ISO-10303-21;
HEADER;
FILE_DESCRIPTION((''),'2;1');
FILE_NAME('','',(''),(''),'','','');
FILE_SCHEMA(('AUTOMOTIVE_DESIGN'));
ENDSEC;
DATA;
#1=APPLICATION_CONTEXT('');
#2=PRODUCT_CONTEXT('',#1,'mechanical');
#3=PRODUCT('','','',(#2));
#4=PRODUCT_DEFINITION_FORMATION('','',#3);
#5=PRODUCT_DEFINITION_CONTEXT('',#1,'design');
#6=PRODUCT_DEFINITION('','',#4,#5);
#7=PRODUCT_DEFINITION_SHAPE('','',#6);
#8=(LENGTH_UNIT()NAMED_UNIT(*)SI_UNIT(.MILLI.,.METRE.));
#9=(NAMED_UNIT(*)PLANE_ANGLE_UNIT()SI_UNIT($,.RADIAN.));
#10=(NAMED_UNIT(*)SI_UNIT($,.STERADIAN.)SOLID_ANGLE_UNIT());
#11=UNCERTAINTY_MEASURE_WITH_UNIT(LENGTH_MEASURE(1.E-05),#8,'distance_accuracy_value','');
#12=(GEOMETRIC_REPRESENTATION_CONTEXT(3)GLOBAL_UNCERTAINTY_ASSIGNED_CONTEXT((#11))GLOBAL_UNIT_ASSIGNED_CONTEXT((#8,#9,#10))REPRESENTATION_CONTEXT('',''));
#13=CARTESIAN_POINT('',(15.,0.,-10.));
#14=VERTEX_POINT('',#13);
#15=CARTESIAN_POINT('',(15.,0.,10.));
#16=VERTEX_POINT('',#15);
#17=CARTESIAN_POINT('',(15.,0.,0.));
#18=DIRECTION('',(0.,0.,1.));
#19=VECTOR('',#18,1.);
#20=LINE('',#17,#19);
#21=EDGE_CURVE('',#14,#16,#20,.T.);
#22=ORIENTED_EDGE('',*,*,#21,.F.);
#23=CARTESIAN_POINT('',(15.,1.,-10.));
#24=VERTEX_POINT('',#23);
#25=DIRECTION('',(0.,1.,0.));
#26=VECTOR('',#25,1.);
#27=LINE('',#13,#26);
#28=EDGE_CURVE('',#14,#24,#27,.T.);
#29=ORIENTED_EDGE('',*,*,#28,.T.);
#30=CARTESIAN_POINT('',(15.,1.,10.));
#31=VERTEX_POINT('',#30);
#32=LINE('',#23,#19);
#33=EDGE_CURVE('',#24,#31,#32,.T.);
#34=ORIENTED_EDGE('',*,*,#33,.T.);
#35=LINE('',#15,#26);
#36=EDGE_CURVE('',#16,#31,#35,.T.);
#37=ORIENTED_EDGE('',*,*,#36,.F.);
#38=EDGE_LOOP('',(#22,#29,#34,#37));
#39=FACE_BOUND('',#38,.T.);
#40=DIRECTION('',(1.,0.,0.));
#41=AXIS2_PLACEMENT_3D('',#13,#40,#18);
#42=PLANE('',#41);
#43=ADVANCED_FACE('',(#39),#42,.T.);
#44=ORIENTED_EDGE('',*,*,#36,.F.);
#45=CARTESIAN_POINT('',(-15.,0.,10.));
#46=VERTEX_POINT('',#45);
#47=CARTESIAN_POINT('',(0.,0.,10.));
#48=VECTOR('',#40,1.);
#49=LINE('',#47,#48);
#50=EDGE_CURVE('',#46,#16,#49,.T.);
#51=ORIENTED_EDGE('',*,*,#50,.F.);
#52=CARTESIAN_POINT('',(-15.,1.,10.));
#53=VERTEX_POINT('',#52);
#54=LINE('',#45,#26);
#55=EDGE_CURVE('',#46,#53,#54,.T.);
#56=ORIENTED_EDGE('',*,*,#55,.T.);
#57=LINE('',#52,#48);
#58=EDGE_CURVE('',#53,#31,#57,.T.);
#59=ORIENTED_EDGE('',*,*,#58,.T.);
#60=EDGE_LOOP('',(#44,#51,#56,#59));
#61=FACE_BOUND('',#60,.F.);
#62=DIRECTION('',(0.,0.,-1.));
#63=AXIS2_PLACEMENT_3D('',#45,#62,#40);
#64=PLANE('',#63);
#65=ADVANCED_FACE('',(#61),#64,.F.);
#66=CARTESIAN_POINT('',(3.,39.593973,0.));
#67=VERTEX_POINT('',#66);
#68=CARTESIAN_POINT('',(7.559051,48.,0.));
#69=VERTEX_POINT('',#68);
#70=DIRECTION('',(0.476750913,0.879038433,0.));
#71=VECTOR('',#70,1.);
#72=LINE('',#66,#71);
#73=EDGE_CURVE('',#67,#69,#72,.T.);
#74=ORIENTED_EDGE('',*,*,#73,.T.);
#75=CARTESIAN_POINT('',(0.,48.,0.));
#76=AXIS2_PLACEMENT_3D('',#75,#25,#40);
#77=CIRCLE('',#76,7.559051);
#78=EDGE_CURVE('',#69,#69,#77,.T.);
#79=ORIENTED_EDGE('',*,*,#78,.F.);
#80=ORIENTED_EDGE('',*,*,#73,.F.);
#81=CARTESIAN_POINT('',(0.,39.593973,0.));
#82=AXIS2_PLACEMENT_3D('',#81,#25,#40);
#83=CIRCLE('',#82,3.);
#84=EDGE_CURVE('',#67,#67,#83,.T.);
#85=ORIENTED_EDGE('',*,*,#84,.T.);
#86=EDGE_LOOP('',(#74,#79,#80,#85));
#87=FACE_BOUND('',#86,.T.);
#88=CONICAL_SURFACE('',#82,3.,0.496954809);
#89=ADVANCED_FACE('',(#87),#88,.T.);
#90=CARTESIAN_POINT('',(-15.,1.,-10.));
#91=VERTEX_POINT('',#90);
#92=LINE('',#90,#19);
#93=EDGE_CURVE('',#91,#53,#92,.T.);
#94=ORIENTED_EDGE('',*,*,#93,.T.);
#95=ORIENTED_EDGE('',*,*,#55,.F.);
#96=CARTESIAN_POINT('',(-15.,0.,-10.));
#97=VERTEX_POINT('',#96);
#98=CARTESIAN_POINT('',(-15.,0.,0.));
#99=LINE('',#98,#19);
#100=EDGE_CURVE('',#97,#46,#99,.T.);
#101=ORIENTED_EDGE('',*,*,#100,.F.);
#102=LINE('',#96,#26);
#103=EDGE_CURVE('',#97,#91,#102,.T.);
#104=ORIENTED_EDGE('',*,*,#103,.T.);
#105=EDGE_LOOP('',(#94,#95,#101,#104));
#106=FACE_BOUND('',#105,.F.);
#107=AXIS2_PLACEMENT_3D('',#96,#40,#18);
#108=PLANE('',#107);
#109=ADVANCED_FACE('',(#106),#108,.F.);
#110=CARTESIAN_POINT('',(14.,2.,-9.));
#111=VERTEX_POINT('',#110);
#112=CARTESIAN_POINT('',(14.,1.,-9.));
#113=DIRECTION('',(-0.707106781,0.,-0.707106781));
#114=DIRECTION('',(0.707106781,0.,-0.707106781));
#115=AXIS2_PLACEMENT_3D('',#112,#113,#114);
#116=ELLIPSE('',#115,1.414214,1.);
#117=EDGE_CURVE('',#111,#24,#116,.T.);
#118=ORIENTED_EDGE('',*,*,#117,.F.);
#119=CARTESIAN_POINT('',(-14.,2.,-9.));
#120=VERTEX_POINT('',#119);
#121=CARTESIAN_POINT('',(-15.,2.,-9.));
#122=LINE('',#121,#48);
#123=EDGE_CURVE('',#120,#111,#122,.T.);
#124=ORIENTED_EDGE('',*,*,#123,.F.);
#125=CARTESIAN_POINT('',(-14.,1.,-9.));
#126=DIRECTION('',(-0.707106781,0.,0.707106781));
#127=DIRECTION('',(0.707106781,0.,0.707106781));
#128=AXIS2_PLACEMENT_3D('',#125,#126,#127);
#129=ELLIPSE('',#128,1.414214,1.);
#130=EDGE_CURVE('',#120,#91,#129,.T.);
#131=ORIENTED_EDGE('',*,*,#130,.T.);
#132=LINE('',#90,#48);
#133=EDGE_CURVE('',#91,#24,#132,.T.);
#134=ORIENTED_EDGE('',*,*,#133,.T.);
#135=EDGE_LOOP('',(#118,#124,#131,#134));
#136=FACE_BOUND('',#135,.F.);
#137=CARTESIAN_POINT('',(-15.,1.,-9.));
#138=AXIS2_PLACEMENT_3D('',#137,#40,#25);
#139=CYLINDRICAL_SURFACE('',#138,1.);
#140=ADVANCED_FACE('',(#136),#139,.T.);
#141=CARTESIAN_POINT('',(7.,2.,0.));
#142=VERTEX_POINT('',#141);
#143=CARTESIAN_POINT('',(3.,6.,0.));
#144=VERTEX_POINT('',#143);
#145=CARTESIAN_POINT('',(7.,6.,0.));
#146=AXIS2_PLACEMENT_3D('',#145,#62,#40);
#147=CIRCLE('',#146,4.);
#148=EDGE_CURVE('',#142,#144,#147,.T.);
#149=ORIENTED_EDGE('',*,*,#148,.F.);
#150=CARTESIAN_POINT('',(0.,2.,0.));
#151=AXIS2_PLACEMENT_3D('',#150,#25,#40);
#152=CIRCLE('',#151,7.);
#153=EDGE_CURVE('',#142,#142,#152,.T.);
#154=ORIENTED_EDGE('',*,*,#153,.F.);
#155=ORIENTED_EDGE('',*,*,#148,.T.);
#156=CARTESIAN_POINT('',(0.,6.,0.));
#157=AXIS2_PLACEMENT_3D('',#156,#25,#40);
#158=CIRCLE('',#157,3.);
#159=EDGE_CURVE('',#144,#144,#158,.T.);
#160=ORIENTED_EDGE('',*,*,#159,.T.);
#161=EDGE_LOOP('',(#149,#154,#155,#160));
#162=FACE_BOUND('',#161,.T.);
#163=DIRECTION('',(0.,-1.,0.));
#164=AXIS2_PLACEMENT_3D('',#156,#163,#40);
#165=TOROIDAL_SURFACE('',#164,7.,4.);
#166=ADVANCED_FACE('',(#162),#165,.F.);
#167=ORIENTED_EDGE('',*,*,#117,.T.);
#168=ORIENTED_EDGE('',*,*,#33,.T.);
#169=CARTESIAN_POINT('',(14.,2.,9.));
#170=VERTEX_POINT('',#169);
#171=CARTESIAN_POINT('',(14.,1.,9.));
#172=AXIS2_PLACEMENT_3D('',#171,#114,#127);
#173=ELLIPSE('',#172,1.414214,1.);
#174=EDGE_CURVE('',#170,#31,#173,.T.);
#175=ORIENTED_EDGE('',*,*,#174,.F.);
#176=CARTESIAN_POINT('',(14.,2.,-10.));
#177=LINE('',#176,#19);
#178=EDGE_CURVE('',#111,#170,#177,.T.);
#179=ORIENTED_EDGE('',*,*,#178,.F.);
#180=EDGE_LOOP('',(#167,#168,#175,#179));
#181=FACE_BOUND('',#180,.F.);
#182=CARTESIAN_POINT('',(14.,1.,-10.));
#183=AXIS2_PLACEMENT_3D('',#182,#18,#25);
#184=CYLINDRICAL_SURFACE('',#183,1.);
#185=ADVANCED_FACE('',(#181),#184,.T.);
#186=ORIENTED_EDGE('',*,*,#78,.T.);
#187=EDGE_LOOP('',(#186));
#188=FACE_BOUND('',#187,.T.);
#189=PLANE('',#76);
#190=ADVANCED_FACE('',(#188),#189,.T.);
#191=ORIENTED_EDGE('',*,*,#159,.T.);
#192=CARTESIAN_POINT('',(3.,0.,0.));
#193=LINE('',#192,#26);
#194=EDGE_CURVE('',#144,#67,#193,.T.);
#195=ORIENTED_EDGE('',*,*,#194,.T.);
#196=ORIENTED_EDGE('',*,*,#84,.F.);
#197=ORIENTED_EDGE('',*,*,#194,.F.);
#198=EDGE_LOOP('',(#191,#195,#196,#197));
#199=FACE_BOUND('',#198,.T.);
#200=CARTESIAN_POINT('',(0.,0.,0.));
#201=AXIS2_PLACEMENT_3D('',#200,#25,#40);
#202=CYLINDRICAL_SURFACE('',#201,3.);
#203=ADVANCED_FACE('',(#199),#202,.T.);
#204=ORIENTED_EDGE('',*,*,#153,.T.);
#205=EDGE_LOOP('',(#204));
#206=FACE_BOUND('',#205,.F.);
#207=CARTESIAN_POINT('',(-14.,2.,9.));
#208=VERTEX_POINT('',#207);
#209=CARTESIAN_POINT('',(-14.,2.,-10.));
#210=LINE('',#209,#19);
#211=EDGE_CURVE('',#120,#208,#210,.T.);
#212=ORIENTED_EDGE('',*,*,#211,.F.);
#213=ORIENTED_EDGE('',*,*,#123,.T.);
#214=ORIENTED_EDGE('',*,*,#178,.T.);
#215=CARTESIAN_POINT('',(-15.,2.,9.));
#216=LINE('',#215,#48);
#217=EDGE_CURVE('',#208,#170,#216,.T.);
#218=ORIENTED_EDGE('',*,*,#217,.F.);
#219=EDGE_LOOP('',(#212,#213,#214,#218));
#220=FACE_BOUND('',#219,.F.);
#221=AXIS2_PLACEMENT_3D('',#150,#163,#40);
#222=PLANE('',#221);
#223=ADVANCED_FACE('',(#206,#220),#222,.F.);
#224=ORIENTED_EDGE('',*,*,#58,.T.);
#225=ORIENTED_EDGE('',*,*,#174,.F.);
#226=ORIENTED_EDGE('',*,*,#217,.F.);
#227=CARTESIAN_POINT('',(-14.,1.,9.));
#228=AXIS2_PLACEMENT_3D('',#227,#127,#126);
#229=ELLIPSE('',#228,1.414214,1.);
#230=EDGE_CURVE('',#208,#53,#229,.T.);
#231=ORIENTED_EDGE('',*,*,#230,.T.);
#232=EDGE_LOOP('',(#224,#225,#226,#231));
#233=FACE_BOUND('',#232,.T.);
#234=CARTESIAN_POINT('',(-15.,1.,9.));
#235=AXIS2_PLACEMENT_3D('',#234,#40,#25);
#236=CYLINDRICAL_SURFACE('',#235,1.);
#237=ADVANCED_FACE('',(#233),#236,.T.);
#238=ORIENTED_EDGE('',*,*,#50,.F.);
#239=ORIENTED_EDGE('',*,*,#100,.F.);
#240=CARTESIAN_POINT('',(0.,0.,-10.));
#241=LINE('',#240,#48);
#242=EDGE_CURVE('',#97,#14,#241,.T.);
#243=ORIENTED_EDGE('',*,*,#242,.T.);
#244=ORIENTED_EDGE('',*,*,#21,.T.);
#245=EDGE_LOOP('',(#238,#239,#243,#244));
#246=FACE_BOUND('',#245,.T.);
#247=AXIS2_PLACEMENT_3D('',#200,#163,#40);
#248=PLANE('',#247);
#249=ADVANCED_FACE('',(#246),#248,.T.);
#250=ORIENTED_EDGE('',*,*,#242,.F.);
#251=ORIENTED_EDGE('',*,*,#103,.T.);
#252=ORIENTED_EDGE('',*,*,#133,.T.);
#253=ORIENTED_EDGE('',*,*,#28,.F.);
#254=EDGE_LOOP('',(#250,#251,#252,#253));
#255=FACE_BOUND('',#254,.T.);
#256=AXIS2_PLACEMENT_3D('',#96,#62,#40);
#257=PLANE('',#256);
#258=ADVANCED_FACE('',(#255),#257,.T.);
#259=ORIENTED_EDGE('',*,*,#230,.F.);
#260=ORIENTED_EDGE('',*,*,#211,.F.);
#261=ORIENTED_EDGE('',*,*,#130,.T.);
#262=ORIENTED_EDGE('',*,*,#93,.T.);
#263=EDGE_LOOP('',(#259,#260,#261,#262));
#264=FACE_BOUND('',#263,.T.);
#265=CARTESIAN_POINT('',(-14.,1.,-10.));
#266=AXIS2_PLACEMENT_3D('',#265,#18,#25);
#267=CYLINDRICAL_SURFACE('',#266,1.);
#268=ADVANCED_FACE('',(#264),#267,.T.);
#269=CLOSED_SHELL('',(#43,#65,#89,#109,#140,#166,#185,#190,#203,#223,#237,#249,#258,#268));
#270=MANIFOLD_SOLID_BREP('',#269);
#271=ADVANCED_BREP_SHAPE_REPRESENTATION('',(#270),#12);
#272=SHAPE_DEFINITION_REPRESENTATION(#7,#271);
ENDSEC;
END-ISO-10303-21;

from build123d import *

# Parameters (mm, degrees)
SKETCH014_W  = 30
SKETCH014_H  = 20
PAD007_DEPTH = 2
FILLET_R     = 4
FILLET001_R  = 1


with BuildPart() as part:
    # Sketch013 → Revolution (revolve)
    with BuildSketch(Plane.XY):
        Polygon((0, 0), (3, 0), (3, 1.633374), (3, 7.404287), (3, 39.593973), (7.559051, 48), (0, 48), align=None)
    revolve(axis=Axis((0, 0, 0), (0, 1, 0)))

    # Sketch014 (on Face2 of Revolution) → Pad007 (new body)
    with BuildSketch(Plane.XZ):
        Rectangle(SKETCH014_W, SKETCH014_H)
    extrude(amount=-PAD007_DEPTH)

    # Fillet
    fillet_edges = [part.edges().sort_by_distance(p)[0] for p in [
        (-3, 2, 0),
    ]]
    fillet(fillet_edges, radius=FILLET_R)

    # Fillet001
    fillet001_edges = [part.edges().sort_by_distance(p)[0] for p in [
        (-15, 2, 0),
        (0, 2, 10),
        (0, 2, -10),
        (15, 2, 0),
    ]]
    fillet(fillet001_edges, radius=FILLET001_R)


solid = part.part
